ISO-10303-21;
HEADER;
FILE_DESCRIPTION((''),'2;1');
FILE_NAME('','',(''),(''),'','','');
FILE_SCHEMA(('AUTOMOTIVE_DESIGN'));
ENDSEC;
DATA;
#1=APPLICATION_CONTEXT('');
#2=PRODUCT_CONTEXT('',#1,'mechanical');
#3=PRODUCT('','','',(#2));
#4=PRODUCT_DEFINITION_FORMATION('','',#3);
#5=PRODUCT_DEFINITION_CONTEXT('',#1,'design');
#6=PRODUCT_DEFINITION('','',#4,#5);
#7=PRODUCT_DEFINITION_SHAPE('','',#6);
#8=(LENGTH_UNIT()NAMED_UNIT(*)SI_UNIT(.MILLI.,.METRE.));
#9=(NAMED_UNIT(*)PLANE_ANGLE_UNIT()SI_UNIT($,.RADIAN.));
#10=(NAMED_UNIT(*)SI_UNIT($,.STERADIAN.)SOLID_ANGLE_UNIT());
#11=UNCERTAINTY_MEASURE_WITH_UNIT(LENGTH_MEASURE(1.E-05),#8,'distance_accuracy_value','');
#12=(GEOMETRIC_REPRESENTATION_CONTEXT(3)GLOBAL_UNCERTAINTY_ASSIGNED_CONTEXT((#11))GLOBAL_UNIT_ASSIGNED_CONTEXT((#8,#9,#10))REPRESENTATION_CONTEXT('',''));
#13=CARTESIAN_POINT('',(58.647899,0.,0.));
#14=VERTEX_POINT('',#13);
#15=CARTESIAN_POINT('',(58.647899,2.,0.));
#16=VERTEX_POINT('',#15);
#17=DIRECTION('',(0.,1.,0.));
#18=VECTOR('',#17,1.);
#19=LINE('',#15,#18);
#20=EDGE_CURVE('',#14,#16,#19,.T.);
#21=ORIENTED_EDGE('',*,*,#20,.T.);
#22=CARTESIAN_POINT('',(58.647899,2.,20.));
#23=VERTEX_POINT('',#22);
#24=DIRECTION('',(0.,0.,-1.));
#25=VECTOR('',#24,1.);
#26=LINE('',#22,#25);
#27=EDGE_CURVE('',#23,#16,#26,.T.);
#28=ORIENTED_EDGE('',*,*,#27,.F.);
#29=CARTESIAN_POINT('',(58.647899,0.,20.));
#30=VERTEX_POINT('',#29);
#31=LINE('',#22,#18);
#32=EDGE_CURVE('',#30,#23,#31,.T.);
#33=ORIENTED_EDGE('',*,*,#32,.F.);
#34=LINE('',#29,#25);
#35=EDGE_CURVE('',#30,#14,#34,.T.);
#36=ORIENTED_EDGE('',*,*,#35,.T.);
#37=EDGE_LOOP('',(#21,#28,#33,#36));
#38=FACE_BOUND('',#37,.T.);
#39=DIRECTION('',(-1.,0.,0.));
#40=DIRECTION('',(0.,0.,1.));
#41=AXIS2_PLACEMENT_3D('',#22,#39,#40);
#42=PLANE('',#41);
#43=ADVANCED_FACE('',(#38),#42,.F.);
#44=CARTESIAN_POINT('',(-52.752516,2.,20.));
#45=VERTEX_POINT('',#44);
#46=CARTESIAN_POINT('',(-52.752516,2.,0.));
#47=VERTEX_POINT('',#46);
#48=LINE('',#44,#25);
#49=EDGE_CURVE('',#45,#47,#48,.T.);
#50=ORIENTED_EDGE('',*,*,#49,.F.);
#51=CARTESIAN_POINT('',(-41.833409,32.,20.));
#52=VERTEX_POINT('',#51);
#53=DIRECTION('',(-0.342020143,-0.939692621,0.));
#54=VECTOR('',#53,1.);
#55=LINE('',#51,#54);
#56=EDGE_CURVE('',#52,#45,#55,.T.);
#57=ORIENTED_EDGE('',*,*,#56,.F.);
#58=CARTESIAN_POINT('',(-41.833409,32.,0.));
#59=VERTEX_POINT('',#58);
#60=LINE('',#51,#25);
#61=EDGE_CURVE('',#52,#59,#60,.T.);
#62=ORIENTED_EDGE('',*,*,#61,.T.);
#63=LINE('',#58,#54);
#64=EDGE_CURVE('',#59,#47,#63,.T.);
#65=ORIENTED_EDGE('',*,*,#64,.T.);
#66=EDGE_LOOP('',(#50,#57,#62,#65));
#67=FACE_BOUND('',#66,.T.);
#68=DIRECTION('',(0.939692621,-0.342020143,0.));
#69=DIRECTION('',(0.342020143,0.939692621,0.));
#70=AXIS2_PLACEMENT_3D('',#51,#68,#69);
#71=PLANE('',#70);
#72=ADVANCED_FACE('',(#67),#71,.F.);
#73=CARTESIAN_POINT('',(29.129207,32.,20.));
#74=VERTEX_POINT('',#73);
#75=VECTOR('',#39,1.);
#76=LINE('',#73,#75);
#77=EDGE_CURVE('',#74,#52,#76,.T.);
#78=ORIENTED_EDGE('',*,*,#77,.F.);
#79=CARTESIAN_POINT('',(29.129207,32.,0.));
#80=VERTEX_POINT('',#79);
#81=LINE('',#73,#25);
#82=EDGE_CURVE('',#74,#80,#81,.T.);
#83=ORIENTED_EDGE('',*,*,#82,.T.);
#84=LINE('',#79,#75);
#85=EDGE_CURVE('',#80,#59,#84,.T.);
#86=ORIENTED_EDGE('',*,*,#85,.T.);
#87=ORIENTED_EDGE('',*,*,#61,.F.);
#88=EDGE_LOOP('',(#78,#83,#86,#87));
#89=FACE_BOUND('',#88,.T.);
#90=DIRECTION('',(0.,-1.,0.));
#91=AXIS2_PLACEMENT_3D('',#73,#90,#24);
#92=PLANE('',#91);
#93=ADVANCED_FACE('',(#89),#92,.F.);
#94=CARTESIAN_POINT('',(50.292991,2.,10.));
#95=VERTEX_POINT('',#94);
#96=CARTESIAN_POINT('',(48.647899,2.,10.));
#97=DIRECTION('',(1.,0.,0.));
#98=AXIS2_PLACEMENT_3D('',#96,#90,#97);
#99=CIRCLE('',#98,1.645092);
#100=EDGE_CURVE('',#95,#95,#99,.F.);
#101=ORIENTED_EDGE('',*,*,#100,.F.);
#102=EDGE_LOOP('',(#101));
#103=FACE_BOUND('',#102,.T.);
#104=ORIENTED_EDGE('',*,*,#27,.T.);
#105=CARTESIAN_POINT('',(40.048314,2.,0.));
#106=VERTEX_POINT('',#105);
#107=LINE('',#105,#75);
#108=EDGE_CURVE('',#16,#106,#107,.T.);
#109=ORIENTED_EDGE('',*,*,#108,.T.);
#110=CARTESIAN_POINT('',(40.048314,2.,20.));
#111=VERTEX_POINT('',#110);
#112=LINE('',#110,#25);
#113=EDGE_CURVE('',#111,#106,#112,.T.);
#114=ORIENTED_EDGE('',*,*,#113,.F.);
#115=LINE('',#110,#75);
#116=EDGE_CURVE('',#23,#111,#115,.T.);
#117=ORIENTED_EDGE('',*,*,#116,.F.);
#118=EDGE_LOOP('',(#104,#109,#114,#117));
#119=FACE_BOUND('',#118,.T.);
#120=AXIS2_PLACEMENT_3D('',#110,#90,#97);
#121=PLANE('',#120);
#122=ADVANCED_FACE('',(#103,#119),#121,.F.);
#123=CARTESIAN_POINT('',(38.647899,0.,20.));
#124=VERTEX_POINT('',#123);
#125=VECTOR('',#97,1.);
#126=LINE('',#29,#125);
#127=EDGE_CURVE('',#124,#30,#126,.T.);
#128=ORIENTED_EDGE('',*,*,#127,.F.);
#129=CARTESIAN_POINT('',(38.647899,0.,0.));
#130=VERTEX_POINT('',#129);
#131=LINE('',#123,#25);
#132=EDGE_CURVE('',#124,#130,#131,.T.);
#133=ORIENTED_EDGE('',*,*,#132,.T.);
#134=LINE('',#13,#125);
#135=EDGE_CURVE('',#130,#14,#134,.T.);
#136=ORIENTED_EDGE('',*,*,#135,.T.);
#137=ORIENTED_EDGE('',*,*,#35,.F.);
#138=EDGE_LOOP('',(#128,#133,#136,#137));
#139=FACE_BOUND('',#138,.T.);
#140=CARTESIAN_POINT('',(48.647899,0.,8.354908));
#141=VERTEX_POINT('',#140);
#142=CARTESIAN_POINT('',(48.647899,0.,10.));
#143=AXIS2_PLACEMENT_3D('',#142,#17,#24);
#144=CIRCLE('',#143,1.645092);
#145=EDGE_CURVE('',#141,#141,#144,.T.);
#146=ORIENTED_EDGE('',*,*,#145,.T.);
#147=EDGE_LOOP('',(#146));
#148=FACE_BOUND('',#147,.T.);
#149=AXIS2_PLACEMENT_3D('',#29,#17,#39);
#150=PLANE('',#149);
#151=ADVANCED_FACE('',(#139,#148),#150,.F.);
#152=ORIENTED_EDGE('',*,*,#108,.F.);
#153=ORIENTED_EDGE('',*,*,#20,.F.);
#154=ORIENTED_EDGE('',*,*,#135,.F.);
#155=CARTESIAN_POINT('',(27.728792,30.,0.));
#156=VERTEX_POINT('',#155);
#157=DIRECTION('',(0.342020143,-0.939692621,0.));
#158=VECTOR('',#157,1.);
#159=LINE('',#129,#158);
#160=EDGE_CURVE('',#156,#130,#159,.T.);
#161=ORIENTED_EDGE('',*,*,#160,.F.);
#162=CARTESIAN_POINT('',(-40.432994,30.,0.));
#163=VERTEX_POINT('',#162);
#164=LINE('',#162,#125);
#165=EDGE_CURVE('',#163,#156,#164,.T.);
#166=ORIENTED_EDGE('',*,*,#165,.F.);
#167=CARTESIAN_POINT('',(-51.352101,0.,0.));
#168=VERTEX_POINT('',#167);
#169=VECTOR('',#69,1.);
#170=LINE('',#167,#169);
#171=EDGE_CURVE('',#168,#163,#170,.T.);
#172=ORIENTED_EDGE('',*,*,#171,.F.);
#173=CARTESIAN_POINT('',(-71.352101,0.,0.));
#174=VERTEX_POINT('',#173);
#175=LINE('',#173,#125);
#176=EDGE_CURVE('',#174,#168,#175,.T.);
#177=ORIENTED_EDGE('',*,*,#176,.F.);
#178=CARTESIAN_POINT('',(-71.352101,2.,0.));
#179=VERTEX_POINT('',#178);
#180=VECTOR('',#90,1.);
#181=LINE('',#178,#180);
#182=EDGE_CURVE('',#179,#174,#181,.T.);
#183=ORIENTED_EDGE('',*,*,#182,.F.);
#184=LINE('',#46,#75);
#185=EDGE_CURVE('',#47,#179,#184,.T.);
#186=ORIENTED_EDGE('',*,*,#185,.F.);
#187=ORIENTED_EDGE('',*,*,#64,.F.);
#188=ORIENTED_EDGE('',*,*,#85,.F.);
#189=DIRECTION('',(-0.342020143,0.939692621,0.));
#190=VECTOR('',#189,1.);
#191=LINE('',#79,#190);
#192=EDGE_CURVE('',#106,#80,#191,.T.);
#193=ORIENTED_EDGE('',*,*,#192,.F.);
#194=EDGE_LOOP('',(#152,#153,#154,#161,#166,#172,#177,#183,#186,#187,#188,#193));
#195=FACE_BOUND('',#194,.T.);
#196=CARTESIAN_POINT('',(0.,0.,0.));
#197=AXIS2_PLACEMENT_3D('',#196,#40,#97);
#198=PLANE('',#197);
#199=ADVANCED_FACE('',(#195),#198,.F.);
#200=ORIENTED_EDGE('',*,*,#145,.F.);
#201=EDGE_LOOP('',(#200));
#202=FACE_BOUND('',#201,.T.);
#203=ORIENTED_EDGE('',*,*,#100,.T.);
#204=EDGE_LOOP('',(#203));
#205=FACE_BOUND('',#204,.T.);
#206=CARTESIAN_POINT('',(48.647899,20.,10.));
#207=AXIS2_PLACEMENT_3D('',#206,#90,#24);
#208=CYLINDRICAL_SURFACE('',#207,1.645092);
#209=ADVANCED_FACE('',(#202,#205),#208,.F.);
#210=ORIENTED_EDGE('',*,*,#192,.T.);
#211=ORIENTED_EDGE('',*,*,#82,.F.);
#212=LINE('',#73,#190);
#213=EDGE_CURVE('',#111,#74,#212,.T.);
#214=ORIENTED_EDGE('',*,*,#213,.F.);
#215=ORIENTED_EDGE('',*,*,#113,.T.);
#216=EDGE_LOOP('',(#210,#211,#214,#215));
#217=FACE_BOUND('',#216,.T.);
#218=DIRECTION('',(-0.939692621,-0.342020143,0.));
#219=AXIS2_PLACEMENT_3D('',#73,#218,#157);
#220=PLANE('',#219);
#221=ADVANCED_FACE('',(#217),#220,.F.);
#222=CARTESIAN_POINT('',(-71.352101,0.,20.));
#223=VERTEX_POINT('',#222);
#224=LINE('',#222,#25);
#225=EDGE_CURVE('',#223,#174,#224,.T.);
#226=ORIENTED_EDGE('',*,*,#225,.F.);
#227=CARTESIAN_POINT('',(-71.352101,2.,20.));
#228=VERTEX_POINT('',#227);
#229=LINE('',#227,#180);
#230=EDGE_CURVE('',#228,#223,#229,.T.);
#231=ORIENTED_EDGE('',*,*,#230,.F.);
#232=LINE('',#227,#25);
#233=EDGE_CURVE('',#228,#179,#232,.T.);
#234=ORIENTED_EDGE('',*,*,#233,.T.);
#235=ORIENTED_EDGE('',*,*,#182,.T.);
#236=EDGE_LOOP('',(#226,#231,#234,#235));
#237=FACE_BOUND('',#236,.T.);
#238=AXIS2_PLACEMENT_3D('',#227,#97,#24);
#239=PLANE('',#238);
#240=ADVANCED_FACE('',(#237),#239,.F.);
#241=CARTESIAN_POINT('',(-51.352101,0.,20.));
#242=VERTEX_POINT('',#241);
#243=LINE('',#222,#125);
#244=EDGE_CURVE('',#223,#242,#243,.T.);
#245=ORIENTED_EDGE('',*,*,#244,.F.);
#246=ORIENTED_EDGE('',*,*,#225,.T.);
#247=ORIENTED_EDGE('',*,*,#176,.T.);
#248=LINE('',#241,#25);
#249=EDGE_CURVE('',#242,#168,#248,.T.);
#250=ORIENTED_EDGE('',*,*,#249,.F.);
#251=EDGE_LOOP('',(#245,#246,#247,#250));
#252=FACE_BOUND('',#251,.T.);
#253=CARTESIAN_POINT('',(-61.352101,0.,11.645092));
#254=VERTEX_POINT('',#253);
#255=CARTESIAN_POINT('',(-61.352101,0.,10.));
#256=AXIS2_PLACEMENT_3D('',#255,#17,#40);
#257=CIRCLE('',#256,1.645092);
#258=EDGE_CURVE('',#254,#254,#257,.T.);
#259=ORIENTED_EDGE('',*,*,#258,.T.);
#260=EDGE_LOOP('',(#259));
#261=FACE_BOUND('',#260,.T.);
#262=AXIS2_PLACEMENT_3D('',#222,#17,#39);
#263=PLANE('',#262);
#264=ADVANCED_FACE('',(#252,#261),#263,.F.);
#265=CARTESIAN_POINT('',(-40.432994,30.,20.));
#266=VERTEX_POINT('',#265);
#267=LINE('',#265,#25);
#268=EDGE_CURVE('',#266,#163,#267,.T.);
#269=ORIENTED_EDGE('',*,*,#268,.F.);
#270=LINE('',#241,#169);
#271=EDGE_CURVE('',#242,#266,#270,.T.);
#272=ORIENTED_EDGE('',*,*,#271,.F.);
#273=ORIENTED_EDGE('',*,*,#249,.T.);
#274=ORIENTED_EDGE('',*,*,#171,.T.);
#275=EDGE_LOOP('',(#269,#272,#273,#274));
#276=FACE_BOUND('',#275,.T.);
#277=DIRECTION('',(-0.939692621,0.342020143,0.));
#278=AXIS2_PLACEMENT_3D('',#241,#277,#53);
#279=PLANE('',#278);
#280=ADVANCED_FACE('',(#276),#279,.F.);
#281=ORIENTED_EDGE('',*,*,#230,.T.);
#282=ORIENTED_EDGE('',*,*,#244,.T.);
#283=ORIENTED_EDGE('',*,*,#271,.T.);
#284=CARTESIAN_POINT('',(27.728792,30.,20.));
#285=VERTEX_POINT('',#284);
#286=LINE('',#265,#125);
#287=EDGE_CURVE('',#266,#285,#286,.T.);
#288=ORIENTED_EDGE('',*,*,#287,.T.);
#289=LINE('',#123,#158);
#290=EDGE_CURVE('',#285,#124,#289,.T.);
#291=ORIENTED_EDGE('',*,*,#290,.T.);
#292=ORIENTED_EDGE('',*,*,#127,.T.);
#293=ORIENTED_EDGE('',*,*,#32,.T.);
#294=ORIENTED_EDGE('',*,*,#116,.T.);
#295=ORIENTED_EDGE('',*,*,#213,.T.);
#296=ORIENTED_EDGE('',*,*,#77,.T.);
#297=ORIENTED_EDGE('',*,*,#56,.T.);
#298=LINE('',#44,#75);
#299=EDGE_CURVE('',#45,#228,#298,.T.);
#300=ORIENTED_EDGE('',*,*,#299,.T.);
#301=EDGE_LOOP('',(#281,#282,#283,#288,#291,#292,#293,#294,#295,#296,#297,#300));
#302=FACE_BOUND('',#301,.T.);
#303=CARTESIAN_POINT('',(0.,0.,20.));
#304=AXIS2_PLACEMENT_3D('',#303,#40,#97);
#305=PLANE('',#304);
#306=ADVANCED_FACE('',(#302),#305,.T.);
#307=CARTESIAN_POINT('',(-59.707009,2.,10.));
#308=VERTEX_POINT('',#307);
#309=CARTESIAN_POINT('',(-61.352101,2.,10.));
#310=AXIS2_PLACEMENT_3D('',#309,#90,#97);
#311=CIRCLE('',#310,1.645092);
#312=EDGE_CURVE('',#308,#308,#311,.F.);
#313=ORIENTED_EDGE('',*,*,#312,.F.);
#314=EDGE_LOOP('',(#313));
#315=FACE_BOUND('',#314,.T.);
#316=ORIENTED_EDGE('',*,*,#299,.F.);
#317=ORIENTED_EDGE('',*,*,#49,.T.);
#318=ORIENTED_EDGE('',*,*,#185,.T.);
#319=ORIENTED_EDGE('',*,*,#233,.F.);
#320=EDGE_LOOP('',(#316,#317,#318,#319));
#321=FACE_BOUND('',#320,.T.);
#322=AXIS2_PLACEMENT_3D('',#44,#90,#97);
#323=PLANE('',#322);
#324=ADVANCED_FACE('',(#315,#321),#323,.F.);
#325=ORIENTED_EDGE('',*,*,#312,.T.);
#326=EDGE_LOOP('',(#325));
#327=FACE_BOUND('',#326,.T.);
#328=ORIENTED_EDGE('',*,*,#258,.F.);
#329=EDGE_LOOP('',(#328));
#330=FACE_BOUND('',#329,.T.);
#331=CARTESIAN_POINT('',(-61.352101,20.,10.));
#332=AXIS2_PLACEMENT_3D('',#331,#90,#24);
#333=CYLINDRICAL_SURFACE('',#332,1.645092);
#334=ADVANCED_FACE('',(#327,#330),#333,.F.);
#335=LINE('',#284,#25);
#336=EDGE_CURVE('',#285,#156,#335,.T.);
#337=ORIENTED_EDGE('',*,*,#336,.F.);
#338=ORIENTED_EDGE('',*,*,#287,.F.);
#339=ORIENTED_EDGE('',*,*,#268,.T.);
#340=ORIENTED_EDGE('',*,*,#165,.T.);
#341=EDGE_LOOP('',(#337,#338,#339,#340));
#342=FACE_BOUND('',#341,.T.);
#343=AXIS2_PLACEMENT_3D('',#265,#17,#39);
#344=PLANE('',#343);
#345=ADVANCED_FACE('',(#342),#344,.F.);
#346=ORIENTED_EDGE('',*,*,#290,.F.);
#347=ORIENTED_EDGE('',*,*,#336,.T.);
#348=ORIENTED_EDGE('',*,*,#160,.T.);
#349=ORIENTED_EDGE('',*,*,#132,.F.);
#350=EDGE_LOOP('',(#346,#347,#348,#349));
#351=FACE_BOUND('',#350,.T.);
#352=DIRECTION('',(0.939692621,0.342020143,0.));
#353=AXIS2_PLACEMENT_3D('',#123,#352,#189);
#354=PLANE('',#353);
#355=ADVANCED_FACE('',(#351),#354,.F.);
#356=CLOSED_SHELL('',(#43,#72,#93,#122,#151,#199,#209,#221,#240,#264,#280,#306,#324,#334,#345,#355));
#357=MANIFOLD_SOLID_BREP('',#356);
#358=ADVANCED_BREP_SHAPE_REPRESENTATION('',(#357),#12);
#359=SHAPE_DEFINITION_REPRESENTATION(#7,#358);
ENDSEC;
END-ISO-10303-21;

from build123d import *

# Parameters (mm, degrees)
EXTRUDE_1_DEPTH     = 20
SKETCH_2_R          = 1.645091665
CUT_EXTRUDE_1_DEPTH = 20


with BuildPart() as part:
    # 草图1 → 凸台-拉伸1 (new body)
    with BuildSketch(Plane.XY):
        Polygon((-71.352101151, 0), (-51.352101151, 0), (-40.432994123, 30), (27.728791821, 30), (38.647898849, 0), (58.647898849, 0), (58.647898849, 2), (40.048313925, 2), (29.129206897, 32), (-41.8334092, 32), (-52.752516228, 2), (-71.352101151, 2), align=None)
    extrude(amount=EXTRUDE_1_DEPTH)

    # 草图2 → 切除-拉伸1 (cut)
    with BuildSketch(Plane(origin=(0, 0, 0), x_dir=(1, 0, 0), z_dir=(0, 1, 0))):
        with Locations((-61.352101151, -10)):
            Circle(SKETCH_2_R)
        with Locations(Location((48.647898849, -10, 0), (0, 0, 90))):
            Circle(SKETCH_2_R)
    extrude(amount=CUT_EXTRUDE_1_DEPTH, mode=Mode.SUBTRACT)


solid = part.part
